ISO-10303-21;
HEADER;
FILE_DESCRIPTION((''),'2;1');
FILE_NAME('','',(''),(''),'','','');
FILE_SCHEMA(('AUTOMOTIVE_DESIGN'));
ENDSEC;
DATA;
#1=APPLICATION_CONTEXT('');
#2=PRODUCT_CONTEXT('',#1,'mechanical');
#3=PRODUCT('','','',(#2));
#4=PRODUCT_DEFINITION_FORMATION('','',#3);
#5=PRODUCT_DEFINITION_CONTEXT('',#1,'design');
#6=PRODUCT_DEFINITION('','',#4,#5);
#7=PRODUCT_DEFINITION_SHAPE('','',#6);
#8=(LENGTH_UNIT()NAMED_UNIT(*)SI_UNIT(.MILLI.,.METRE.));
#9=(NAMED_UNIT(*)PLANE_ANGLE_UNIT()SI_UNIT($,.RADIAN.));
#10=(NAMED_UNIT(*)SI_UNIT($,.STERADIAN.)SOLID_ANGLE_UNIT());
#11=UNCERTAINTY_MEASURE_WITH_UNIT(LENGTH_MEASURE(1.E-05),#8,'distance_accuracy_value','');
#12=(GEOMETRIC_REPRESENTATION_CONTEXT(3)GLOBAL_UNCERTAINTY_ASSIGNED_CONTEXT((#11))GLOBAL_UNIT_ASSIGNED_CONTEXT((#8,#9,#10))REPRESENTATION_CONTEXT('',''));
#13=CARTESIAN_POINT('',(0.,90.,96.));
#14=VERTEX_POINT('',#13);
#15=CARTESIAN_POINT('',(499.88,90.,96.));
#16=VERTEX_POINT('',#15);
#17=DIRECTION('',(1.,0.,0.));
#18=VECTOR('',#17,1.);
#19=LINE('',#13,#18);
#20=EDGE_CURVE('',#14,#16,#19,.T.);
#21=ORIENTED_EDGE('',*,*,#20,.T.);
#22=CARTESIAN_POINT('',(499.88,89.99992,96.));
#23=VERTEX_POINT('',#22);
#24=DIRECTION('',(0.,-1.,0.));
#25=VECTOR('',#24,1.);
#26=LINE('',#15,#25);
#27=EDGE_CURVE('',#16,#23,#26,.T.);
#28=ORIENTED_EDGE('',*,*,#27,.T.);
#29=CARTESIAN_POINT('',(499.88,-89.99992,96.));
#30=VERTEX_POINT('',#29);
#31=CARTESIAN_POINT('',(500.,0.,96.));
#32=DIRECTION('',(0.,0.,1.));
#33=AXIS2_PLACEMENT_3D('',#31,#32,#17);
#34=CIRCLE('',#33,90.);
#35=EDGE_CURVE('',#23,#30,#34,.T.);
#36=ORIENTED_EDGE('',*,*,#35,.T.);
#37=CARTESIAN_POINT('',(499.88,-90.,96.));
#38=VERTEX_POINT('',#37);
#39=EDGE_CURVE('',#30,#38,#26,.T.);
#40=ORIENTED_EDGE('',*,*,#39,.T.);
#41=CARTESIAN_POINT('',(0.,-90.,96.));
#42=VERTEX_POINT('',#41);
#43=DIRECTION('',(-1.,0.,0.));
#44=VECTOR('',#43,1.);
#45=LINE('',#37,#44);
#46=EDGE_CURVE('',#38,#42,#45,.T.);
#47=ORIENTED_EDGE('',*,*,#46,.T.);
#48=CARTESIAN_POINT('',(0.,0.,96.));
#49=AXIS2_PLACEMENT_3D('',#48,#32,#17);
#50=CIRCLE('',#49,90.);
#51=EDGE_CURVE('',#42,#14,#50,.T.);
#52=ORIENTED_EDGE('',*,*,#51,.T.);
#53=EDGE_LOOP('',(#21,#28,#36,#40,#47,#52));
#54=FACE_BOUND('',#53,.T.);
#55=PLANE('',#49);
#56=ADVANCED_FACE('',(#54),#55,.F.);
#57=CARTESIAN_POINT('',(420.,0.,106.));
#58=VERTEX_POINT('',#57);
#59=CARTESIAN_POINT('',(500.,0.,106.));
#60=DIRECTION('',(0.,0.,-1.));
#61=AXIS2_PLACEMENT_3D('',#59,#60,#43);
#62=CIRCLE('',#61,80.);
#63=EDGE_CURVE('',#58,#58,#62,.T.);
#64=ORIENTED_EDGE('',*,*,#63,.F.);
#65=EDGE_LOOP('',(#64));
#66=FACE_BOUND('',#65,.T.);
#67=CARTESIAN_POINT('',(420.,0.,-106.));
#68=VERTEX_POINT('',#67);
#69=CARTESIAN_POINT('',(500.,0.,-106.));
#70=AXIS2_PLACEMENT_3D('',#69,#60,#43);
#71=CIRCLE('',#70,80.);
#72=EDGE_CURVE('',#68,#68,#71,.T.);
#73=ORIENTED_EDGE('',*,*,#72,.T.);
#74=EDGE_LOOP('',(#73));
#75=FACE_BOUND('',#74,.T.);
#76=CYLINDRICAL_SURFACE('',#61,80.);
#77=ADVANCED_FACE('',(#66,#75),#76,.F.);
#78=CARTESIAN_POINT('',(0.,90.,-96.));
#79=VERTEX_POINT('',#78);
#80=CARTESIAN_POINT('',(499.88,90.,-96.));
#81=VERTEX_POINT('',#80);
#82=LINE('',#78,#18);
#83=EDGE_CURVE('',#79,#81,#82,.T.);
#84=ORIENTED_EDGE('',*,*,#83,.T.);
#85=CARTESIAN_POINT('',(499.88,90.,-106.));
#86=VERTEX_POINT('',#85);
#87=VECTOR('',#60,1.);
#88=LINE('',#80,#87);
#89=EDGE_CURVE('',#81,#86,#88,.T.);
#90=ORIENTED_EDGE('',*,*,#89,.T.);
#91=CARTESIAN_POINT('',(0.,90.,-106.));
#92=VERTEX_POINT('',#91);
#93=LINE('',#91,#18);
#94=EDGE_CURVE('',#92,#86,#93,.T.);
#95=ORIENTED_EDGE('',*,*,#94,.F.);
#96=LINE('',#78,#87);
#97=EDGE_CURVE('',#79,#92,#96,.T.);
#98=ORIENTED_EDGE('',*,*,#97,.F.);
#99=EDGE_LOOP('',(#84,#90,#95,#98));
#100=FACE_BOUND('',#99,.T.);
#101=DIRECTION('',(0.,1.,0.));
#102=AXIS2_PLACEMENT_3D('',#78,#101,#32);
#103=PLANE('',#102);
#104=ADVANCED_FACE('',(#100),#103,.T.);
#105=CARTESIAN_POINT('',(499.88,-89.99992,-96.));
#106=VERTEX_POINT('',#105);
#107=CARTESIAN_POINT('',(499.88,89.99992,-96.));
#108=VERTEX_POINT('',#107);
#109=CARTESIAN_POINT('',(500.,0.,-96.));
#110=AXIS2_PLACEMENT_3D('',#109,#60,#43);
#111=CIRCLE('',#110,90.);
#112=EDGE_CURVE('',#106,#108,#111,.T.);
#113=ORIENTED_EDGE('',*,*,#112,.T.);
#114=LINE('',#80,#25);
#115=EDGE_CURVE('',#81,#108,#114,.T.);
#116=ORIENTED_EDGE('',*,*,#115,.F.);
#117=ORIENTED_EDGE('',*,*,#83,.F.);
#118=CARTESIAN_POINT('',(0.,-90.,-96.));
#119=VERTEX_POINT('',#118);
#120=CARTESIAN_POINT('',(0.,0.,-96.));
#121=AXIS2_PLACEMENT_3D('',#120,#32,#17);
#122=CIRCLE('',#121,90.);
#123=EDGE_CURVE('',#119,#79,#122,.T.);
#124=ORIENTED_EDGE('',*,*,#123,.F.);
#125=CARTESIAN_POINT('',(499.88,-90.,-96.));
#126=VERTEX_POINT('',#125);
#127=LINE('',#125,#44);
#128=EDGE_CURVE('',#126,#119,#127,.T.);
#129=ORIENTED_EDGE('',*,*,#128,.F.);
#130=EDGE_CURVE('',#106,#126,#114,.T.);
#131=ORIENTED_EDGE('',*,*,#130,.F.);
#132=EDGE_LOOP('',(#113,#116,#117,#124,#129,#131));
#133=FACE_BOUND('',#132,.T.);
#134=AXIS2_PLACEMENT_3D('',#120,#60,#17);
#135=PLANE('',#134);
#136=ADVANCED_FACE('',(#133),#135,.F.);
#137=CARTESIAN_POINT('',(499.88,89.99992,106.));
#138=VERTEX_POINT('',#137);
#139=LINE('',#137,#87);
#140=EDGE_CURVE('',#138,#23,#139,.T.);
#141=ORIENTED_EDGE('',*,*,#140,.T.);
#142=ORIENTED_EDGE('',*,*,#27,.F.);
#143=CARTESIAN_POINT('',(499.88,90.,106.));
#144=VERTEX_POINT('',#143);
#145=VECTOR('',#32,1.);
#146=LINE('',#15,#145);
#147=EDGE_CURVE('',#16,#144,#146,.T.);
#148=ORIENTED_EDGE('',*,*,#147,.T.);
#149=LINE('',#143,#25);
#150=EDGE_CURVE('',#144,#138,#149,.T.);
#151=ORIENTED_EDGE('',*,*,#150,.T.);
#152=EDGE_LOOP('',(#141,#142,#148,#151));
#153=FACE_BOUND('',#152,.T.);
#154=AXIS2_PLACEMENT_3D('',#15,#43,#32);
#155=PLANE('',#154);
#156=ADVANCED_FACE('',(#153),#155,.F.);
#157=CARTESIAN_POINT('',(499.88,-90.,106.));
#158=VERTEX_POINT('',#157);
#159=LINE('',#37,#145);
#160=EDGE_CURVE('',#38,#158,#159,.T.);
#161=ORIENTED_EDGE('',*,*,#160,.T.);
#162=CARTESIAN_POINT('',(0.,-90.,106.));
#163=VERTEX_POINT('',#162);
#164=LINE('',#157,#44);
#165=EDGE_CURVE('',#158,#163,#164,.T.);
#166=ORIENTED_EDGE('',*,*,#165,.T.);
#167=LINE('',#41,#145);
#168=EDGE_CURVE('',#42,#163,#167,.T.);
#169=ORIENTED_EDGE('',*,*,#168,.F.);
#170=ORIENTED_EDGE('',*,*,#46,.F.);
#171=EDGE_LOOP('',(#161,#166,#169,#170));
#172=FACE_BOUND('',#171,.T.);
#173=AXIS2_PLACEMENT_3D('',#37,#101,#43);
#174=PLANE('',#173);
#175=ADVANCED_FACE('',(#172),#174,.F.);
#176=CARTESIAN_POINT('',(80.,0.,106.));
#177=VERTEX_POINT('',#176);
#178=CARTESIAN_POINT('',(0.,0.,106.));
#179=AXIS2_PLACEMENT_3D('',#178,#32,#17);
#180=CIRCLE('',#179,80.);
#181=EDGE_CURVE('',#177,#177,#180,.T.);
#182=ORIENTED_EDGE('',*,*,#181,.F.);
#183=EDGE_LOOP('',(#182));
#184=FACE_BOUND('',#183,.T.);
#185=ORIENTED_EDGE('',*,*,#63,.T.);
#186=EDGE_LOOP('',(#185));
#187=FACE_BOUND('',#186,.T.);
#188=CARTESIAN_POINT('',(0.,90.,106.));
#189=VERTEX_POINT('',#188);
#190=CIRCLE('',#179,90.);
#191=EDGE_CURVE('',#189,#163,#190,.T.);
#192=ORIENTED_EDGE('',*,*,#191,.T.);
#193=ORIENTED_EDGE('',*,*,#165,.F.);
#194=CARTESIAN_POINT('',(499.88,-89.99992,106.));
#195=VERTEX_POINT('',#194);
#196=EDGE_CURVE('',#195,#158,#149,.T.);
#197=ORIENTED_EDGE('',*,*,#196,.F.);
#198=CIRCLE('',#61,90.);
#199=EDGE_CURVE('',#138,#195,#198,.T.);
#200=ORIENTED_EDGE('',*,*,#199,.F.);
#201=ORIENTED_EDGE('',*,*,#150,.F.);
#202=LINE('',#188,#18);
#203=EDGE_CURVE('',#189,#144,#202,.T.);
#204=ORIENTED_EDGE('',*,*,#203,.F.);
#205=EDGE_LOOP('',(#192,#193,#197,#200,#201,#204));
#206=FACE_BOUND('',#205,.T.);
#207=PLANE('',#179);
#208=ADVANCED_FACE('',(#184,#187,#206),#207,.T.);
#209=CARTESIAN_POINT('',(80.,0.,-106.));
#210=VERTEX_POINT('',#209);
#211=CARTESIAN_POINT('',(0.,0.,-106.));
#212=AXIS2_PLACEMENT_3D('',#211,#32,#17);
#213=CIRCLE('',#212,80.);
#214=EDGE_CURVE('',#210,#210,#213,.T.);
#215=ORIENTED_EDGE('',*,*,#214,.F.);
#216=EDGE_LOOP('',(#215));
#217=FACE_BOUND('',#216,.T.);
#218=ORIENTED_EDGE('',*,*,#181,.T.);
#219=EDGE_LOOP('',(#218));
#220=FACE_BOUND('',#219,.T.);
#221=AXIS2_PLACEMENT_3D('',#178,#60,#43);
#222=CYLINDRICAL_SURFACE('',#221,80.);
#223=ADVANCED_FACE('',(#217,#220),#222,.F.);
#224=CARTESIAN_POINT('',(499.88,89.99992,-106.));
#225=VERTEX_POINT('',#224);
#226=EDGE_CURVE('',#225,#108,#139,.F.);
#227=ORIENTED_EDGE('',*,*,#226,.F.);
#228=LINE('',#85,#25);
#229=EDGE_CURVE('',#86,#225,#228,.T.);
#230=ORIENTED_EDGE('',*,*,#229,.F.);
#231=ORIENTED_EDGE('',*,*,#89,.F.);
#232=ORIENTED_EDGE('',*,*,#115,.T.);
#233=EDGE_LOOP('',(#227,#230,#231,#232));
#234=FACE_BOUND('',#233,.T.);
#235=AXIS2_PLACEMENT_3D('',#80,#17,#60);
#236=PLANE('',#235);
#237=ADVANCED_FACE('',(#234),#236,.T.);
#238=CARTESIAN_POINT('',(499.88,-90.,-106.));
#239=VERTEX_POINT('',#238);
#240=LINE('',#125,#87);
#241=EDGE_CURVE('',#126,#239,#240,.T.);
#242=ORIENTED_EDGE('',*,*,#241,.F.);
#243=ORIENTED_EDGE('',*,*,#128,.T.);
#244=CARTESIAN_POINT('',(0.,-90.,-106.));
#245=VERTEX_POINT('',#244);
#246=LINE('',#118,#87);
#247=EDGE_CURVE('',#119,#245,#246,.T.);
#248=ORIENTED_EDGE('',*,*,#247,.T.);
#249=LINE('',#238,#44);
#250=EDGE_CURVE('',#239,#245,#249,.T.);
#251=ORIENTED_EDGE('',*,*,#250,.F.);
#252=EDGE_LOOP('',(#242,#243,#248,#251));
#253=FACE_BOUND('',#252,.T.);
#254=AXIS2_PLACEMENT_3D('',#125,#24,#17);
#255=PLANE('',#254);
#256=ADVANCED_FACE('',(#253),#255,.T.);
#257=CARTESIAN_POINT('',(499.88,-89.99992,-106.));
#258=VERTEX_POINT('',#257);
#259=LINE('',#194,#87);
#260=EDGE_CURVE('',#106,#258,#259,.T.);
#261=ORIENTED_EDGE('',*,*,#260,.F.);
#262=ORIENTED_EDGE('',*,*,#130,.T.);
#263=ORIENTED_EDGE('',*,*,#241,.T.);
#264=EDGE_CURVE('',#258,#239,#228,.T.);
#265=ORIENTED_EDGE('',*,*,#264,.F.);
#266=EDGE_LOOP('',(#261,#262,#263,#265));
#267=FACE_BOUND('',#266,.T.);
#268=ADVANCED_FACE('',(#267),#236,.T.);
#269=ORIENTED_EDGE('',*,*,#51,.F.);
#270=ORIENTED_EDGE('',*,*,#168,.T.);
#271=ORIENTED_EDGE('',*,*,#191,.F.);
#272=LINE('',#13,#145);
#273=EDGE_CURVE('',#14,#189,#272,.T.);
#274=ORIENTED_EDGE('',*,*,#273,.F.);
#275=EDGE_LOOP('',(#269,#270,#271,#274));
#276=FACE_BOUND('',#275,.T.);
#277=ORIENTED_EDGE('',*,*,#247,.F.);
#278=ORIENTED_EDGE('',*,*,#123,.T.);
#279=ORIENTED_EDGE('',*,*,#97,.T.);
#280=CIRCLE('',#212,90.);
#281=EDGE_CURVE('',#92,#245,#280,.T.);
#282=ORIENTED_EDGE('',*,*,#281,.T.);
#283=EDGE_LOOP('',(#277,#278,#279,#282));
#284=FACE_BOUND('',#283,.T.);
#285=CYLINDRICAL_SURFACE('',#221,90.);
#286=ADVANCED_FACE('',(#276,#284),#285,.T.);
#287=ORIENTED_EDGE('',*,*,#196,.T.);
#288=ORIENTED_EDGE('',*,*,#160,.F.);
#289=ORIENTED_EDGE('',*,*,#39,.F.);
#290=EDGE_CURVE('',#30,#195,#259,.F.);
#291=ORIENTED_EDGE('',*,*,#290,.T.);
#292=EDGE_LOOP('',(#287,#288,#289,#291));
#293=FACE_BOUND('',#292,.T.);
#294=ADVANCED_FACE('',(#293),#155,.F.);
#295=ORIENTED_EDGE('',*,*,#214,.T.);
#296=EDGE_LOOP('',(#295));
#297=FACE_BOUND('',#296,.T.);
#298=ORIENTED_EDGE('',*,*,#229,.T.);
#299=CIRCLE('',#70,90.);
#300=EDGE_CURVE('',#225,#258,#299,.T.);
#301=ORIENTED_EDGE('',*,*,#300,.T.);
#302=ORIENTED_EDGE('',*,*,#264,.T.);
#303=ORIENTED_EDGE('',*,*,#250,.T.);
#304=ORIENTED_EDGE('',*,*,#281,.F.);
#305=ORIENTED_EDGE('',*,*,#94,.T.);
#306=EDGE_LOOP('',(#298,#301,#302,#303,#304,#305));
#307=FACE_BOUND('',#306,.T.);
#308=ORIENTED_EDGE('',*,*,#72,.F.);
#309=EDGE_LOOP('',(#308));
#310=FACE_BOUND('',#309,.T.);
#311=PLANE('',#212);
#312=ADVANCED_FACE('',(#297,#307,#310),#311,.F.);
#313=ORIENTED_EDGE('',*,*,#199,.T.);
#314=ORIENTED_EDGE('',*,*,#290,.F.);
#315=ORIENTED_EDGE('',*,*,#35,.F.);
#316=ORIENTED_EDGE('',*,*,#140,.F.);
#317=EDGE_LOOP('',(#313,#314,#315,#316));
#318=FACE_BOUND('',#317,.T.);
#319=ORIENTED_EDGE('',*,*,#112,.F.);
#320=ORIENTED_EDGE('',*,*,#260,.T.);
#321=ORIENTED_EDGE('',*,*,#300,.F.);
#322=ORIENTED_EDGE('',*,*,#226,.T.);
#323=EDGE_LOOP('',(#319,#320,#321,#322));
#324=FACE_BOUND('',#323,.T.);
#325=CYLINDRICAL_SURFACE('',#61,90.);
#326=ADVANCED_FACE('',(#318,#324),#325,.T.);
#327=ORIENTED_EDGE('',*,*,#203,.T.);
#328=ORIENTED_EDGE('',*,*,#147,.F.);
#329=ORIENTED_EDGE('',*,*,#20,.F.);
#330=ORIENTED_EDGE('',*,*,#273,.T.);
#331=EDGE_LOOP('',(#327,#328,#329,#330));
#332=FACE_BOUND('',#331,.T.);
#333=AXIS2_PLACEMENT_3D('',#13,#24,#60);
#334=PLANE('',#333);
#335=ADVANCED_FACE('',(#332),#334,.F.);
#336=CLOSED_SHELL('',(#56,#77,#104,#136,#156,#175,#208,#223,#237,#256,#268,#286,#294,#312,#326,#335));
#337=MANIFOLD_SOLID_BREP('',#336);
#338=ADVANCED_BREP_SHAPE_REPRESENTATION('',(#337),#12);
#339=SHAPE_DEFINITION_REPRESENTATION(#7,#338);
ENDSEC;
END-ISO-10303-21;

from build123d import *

# Parameters (mm, degrees)
SKETCH1_R               = 90
SKETCH1_R_2             = 80
BOSS_EXTRUDE1_DEPTH     = 106
BOSS_EXTRUDE2_DEPTH     = 10
CUT_EXTRUDE1_DEPTH      = 631.082534276
CUT_EXTRUDE1_DEPTH_BACK = 631.082534276


with BuildPart() as part:
    # Sketch1 → Boss-Extrude1 (new, symmetric)
    with BuildSketch(Plane.XY):
        Circle(SKETCH1_R)
        Circle(SKETCH1_R_2, mode=Mode.SUBTRACT)
    boss_extrude1 = extrude(amount=BOSS_EXTRUDE1_DEPTH, both=True)

    # Sketch2 → Boss-Extrude2 (add)
    with BuildSketch(Plane.XY.offset(106)):
        with BuildLine():
            Line((0, 90), (499.88, 90))
            Line((499.88, 90), (499.88, -90))
            Line((499.88, -90), (0, -90))
            ThreePointArc((0, -90), (90, 0), (0, 90))
        make_face()
    boss_extrude2 = extrude(amount=-BOSS_EXTRUDE2_DEPTH)

    # Mirror1: Boss-Extrude2 across plane
    add(boss_extrude2.mirror(Plane.XY))

    # Mirror2: Boss-Extrude1 across plane
    add(boss_extrude1.mirror(Plane(origin=(250, 0, 0), x_dir=(0, 0, 1), z_dir=(1, 0, 0))))

    # Sketch3 → Cut-Extrude1 (cut, two sides: drawn at the far end of the back side and taken through both)
    with BuildSketch(Plane.XY.offset(-96).offset(-CUT_EXTRUDE1_DEPTH_BACK)):
        with BuildLine():
            Line((499.88, -79.99991), (499.88, 79.99991))
            ThreePointArc((499.88, 79.99991), (420, 0), (499.88, -79.99991))
        make_face()
    extrude(amount=CUT_EXTRUDE1_DEPTH + CUT_EXTRUDE1_DEPTH_BACK, mode=Mode.SUBTRACT)


solid = part.part
